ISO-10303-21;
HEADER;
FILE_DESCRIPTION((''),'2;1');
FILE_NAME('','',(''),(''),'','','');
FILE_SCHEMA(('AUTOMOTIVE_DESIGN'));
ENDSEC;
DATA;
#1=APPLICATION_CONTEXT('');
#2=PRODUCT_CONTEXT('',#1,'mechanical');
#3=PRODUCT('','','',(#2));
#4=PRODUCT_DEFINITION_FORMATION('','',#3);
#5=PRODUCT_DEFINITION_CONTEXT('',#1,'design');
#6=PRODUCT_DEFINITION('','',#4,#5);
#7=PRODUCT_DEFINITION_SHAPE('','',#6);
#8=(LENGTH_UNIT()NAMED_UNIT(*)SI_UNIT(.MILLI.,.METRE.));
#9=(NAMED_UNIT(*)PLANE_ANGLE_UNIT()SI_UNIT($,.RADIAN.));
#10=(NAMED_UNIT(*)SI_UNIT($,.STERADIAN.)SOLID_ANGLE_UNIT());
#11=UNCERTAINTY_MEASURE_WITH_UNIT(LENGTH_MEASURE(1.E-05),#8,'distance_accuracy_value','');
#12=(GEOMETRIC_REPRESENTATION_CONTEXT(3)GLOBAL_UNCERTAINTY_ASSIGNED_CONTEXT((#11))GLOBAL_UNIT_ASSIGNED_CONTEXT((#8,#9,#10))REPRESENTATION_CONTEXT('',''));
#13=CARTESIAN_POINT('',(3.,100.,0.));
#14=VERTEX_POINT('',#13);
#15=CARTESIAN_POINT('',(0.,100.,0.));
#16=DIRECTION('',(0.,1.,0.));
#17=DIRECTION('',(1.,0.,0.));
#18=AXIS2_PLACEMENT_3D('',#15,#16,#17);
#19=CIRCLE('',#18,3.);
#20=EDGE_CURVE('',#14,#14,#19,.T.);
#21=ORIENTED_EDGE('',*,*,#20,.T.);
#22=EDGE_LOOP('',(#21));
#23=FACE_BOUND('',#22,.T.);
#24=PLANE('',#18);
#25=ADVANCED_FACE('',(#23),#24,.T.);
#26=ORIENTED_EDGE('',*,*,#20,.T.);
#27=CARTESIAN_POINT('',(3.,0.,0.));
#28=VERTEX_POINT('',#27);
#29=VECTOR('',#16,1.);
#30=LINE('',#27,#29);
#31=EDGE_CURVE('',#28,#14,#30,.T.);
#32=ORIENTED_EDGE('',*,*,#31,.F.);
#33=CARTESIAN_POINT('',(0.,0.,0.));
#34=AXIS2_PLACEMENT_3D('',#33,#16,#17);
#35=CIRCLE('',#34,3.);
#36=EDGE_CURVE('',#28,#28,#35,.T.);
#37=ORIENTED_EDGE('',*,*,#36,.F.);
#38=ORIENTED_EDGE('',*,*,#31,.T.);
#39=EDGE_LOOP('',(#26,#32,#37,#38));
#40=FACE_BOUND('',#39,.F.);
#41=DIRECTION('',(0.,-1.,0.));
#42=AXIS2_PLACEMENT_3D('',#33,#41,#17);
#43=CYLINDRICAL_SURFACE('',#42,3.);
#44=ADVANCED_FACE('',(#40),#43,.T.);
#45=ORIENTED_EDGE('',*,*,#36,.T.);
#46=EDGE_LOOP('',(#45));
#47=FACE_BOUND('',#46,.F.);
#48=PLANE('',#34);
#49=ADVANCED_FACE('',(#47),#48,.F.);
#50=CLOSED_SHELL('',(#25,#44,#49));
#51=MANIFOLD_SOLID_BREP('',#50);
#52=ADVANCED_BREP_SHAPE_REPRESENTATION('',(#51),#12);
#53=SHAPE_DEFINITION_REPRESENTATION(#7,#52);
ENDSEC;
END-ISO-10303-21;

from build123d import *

# Parameters (mm, degrees)
CROQUIS1_R              = 3
SALIENTE_EXTRUIR1_DEPTH = 100


with BuildPart() as part:
    # Croquis1 → Saliente-Extruir1 (new body)
    with BuildSketch(Plane(origin=(0, 0, 0), x_dir=(1, 0, 0), z_dir=(0, 1, 0))):
        Circle(CROQUIS1_R)
    extrude(amount=SALIENTE_EXTRUIR1_DEPTH)


solid = part.part
